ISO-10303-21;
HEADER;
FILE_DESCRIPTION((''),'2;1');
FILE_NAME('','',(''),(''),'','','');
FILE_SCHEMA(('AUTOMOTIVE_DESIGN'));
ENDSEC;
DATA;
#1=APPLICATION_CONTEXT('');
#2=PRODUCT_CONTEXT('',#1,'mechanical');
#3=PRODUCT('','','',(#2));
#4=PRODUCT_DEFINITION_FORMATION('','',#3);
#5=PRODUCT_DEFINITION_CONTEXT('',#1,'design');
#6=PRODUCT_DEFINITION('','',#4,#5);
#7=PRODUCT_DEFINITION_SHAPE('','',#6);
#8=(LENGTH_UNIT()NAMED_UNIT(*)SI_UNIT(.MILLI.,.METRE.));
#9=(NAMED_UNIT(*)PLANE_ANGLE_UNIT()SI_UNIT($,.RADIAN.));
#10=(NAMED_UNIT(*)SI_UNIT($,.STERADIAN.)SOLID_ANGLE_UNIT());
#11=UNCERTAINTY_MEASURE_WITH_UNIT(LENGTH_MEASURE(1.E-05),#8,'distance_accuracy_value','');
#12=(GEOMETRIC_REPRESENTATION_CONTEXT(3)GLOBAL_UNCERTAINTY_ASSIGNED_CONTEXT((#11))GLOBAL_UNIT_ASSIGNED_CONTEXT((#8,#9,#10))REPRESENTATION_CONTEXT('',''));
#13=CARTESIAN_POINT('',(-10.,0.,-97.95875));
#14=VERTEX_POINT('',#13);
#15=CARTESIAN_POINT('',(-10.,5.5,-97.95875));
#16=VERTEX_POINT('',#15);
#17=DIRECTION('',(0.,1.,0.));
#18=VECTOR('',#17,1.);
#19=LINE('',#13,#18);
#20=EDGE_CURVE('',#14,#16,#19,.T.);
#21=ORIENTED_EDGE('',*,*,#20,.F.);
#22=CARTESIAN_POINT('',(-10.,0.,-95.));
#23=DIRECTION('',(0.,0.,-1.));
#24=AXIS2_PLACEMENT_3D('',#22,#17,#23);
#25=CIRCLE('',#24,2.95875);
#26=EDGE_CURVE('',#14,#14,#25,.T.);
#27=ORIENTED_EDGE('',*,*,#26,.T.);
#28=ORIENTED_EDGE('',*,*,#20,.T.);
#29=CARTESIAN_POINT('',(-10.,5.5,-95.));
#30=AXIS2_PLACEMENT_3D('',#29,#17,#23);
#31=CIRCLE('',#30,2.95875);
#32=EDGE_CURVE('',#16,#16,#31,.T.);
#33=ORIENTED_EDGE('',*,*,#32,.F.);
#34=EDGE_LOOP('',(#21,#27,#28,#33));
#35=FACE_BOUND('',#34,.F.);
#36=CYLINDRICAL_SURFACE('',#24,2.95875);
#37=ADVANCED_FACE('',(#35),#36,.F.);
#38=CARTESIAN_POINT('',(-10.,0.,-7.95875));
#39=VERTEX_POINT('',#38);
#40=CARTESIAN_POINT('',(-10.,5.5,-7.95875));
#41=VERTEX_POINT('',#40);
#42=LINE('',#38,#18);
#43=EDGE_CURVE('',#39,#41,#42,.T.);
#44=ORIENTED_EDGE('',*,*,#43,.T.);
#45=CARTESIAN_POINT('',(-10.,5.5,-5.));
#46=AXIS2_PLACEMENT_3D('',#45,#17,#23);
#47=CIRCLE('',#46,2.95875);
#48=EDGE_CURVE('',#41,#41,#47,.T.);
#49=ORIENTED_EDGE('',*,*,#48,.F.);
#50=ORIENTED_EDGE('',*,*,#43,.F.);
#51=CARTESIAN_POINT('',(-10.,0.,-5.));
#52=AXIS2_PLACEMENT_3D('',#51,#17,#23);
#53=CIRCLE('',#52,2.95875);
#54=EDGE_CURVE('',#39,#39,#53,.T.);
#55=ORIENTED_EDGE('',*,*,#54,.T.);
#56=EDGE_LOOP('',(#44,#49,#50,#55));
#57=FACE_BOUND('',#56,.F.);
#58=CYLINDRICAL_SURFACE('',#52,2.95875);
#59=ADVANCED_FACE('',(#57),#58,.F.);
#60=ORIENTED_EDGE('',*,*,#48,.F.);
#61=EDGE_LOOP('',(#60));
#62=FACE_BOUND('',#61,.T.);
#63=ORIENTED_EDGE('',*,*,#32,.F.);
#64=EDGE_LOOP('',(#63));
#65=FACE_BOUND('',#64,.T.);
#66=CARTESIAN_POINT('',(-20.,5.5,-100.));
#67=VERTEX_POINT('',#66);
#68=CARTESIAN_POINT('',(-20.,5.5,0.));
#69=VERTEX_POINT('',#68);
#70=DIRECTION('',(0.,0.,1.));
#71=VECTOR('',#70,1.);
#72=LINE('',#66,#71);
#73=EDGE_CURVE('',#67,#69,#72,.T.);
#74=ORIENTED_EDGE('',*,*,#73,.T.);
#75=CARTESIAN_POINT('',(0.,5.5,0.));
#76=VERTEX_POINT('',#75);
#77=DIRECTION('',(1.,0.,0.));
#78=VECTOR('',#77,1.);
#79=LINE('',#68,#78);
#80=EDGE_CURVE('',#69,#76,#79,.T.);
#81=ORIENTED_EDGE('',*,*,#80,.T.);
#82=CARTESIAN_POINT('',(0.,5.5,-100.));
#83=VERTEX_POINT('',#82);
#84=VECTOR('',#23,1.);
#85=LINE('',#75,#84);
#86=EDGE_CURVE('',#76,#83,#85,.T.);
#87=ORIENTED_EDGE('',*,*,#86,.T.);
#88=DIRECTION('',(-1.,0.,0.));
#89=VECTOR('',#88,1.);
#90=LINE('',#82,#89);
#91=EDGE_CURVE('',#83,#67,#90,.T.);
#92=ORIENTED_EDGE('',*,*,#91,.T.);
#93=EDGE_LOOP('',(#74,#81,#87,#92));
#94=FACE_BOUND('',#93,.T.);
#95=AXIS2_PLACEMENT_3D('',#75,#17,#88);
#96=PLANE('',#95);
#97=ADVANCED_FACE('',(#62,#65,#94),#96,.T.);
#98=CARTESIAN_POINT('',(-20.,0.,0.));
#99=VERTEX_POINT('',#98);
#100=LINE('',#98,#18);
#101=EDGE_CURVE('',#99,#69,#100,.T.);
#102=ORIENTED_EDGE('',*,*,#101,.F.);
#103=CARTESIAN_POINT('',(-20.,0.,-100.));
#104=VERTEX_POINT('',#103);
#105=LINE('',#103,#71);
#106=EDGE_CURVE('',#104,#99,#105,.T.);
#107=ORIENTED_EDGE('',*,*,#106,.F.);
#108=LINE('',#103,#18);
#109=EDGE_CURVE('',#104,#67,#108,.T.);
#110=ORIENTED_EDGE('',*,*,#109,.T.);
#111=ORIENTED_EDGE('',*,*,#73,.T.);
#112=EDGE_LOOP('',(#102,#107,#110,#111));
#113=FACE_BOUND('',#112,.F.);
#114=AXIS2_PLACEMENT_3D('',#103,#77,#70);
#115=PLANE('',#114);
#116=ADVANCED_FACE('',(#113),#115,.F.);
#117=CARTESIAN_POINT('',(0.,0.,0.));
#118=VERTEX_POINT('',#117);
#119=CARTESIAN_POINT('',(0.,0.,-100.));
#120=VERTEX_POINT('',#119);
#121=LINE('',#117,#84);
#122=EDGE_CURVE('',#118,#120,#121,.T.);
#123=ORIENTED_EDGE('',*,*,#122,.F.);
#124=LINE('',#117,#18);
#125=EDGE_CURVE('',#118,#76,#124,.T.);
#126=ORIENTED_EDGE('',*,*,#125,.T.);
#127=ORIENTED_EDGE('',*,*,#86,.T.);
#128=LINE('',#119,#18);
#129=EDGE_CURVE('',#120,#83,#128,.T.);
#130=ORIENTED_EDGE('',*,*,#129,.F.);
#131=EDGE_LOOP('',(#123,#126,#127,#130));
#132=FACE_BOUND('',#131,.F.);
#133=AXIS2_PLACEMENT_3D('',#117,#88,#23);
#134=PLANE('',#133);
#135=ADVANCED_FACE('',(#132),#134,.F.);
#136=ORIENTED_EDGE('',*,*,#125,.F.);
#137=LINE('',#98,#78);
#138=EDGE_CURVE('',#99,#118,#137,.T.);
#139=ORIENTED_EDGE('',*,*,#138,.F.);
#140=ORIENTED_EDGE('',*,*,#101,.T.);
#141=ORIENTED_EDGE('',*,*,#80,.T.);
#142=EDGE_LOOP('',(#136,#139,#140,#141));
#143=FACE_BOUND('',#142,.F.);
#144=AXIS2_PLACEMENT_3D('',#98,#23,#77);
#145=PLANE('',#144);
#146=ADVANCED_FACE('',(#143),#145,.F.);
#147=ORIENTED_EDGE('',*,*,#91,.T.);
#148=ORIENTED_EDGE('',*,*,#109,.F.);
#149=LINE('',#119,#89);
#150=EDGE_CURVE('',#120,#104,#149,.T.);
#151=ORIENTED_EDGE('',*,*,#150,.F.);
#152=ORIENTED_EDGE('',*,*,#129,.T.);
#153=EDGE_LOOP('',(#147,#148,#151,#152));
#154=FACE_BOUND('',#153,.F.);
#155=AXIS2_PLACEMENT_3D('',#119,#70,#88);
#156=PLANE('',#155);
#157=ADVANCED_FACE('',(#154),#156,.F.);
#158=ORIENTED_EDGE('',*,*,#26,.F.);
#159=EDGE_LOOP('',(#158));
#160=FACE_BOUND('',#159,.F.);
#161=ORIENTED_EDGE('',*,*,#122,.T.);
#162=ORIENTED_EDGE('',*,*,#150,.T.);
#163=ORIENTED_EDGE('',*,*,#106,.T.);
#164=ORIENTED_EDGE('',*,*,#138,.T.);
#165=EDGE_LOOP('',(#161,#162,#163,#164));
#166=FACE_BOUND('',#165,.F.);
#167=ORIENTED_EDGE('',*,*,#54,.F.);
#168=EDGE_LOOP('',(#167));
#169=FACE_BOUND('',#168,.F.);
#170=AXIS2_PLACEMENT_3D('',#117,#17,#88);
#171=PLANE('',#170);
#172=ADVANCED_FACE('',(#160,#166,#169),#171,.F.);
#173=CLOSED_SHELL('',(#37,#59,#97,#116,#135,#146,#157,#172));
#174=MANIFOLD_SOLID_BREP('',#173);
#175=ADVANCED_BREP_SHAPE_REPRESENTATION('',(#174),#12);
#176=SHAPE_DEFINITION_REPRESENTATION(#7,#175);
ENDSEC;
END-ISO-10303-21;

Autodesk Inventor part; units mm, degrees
ref_plane "YZ Plane" through (0, 0, 0) normal (1, 0, 0) x (0, 1, 0)
ref_plane "XZ Plane" through (0, 0, 0) normal (0, 1, 0) x (-1, 0, 0)
ref_plane "XY Plane" through (0, 0, 0) normal (0, 0, 1) x (1, 0, 0)
sketch "Sketch1" plane through (0, 0, 0) normal (0, 1, 0) x (-1, 0, 0)
  line L0 (0, 0) -> (0, -100)
  line L1 (0, -100) -> (20, -100)
  line L2 (20, -100) -> (20, 0)
  line L3 (20, 0) -> (0, 0)
  point P0 (10, -5)
  point P1 (10, -95)
  dimension "d0" = 100
  dimension "d1" = 20
  dimension "d2" = 90
  dimension "d3" = 5
extrude "Extrusion1" add sketch "Sketch1" along normal blind 5.5
hole "Hole1" at (-10, 0, -5) at (-10, 0, -95) direction (0, 1, 0) diameter 5.9175 depth 19.1 tip angle 118 thread size "M7x1" class "6H" standard "ANSI Metric M Profile"
properties part number "CB"
